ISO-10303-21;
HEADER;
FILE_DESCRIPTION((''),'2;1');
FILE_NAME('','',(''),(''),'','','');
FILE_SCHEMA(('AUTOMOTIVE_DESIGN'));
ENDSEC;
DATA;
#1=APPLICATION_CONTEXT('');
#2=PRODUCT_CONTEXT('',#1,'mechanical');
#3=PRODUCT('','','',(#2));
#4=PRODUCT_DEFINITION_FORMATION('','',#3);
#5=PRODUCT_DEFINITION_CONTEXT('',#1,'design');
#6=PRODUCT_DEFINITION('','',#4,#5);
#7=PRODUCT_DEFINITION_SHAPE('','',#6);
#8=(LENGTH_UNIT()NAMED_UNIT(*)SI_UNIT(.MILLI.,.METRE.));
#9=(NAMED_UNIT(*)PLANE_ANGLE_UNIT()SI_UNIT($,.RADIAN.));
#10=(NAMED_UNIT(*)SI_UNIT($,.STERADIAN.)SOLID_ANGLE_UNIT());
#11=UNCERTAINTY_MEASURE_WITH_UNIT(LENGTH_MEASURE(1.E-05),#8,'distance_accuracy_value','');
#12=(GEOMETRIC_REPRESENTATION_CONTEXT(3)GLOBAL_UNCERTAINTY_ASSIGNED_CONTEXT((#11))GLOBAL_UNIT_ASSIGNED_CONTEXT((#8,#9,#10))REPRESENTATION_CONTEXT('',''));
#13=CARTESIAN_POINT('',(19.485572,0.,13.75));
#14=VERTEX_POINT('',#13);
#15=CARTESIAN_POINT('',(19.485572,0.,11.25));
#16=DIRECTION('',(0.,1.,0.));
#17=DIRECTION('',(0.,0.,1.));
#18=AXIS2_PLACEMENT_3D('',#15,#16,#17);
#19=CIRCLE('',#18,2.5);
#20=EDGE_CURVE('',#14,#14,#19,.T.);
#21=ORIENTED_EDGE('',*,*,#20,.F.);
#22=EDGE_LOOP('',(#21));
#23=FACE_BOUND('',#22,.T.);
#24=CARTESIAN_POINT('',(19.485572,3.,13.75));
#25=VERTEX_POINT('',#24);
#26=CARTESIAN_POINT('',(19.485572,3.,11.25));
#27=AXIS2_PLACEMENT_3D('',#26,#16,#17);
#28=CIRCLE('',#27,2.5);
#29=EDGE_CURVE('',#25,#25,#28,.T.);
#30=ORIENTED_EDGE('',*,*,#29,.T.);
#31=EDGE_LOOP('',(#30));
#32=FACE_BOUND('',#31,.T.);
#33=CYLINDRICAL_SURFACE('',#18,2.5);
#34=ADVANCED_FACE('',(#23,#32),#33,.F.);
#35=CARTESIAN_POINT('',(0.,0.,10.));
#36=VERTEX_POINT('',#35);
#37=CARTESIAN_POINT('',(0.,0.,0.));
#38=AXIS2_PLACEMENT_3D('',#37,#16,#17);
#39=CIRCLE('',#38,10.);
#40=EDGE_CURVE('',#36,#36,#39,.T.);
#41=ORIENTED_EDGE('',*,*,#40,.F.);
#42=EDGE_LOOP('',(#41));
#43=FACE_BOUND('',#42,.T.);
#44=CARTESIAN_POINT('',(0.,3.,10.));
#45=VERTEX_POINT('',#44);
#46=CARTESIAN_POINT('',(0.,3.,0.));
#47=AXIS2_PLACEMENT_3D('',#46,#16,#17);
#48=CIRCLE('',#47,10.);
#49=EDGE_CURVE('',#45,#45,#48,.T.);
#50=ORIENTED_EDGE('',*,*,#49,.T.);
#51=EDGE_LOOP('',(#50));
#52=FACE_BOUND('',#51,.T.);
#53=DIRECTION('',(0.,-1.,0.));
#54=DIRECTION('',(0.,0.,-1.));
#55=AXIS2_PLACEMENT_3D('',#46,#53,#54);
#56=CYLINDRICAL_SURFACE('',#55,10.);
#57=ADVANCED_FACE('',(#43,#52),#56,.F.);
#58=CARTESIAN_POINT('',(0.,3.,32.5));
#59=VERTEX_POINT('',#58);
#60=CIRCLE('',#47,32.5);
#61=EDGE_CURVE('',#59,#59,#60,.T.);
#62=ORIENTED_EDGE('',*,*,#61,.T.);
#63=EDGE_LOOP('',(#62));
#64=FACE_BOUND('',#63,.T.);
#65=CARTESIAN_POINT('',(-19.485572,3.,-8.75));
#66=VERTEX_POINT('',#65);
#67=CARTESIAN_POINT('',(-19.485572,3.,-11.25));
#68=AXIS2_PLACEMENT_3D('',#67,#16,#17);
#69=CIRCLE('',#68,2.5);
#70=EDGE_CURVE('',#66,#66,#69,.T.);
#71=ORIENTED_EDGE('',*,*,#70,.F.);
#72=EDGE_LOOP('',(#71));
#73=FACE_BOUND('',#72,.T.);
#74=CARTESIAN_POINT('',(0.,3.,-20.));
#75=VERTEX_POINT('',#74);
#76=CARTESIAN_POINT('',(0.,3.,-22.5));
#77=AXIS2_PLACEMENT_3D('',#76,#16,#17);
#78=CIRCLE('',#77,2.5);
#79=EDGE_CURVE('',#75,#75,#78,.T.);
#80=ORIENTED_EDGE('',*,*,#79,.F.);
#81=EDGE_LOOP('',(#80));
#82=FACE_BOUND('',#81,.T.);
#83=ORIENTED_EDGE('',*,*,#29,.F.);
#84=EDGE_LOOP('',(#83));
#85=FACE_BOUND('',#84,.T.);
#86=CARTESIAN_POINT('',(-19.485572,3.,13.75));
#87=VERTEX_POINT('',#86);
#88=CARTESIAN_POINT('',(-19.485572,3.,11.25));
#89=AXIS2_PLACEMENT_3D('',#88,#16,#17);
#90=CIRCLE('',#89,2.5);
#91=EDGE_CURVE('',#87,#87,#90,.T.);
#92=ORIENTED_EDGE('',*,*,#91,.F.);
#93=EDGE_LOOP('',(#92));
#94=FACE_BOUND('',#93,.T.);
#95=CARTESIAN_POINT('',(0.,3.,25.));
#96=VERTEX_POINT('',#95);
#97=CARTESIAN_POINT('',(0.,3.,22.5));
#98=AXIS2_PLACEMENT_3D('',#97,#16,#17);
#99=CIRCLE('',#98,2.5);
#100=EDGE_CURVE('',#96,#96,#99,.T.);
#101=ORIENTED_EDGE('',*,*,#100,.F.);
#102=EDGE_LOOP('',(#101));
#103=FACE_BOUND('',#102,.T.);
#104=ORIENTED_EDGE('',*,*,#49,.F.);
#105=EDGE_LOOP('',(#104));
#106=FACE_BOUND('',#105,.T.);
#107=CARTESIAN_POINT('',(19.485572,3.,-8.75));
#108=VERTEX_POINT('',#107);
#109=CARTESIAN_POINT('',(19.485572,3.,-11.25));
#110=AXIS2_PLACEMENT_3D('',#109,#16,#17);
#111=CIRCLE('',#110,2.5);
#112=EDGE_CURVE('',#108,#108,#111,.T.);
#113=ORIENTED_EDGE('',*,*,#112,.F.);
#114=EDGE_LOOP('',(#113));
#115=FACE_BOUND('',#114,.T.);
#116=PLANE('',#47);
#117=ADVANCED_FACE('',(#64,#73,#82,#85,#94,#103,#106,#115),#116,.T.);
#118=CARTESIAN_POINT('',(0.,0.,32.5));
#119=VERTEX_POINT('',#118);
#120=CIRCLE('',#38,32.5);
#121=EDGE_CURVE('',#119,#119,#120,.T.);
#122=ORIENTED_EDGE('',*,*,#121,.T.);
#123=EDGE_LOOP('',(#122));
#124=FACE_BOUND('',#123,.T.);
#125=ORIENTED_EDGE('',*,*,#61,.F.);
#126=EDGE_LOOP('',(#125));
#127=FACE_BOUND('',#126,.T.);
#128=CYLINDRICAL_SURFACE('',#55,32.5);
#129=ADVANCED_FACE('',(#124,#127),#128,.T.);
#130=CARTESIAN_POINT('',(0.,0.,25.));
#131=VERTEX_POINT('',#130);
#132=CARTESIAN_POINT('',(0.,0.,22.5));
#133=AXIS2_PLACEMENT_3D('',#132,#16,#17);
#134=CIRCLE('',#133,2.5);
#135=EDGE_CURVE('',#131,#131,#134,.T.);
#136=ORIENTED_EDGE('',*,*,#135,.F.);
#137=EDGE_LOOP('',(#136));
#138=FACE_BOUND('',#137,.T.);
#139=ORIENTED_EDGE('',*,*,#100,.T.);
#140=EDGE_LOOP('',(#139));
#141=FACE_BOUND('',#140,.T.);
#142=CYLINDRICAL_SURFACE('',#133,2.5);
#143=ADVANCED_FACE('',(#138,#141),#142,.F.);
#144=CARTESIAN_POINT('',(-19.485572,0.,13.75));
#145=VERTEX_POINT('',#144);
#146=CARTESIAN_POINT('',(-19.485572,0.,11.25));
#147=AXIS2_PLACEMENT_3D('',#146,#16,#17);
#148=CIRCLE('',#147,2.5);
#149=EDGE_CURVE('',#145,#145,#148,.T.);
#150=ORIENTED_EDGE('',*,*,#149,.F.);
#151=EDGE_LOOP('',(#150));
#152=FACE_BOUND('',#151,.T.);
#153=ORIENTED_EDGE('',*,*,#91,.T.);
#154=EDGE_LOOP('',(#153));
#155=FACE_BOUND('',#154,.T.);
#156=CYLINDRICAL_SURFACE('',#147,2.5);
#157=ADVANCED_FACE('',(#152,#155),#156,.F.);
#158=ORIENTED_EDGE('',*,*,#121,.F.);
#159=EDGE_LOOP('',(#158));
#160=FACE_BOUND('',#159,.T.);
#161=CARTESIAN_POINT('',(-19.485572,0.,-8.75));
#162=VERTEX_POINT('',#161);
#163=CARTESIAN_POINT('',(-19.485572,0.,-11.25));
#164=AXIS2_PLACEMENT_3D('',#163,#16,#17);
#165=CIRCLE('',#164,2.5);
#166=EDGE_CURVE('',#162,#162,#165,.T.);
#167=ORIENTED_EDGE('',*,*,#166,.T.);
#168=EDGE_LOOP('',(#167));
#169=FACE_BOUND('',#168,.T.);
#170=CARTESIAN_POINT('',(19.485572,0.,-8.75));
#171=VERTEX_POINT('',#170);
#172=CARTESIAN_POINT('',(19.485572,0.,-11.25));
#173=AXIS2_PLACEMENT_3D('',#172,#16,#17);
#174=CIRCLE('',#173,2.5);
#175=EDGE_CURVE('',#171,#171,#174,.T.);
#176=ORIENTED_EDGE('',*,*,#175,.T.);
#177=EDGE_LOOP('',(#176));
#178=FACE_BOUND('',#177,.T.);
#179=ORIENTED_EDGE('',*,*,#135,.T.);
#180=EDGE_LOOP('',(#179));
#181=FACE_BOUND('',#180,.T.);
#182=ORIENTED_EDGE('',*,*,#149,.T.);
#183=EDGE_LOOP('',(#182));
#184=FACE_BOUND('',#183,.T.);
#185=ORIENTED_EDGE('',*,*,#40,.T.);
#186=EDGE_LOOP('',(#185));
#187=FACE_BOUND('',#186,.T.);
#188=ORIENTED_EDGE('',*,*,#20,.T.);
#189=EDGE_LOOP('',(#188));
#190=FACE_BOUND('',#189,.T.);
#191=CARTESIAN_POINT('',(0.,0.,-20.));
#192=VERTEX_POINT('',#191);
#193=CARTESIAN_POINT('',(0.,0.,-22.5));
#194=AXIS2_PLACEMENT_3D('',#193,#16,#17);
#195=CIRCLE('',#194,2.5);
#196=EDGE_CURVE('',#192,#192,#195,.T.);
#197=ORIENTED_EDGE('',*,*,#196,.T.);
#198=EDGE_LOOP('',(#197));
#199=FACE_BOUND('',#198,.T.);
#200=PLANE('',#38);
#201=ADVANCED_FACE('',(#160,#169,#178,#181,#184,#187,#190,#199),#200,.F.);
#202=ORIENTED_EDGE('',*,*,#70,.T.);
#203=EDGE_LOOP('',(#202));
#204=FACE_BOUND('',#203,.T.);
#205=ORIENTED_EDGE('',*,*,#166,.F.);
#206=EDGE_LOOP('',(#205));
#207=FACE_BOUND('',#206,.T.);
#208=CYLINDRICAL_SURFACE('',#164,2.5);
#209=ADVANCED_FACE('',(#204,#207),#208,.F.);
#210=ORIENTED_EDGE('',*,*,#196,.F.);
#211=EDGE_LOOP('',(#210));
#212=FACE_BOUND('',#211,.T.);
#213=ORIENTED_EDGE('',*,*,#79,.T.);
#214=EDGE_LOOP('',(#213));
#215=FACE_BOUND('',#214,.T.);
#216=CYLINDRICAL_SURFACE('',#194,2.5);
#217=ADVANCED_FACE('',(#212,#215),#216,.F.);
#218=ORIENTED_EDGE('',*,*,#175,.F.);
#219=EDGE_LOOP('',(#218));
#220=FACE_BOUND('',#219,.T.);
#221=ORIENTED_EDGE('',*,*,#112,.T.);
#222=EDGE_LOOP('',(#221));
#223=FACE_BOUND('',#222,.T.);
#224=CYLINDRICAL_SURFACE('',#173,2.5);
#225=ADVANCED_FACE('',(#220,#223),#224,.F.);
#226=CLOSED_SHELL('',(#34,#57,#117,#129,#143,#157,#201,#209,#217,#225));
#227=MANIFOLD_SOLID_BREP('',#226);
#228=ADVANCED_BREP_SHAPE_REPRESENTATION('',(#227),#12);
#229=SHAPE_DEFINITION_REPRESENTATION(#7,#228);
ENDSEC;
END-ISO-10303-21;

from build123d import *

# Parameters (mm, degrees)
SKETCH_1_R          = 32.5
SKETCH_1_R_2        = 10
EXTRUDE_1_DEPTH     = 3
SKETCH_2_R          = 2.5
CUT_EXTRUDE_1_DEPTH = 3


with BuildPart() as part:
    # 草图1 → 凸台-拉伸1 (new body)
    with BuildSketch(Plane(origin=(0, 0, 0), x_dir=(1, 0, 0), z_dir=(0, 1, 0))):
        with Locations(Location((0, 0, 0), (0, 0, 270))):
            Circle(SKETCH_1_R)
        with Locations(Location((0, 0, 0), (0, 0, 270))):
            Circle(SKETCH_1_R_2, mode=Mode.SUBTRACT)
    extrude(amount=EXTRUDE_1_DEPTH)

    # 草图2 → 切除-拉伸1 (cut)
    with BuildSketch(Plane(origin=(0, 3, 0), x_dir=(1, 0, 0), z_dir=(0, 1, 0))):
        with Locations(Location((0, 22.5, 0), (0, 0, 270))):
            Circle(SKETCH_2_R)
        with Locations(Location((19.485571585, 11.25, 0), (0, 0, 270))):
            Circle(SKETCH_2_R)
        with Locations(Location((19.485571585, -11.25, 0), (0, 0, 270))):
            Circle(SKETCH_2_R)
        with Locations(Location((0, -22.5, 0), (0, 0, 270))):
            Circle(SKETCH_2_R)
        with Locations(Location((-19.485571585, -11.25, 0), (0, 0, 270))):
            Circle(SKETCH_2_R)
        with Locations(Location((-19.485571585, 11.25, 0), (0, 0, 270))):
            Circle(SKETCH_2_R)
    extrude(amount=-CUT_EXTRUDE_1_DEPTH, mode=Mode.SUBTRACT)


solid = part.part
